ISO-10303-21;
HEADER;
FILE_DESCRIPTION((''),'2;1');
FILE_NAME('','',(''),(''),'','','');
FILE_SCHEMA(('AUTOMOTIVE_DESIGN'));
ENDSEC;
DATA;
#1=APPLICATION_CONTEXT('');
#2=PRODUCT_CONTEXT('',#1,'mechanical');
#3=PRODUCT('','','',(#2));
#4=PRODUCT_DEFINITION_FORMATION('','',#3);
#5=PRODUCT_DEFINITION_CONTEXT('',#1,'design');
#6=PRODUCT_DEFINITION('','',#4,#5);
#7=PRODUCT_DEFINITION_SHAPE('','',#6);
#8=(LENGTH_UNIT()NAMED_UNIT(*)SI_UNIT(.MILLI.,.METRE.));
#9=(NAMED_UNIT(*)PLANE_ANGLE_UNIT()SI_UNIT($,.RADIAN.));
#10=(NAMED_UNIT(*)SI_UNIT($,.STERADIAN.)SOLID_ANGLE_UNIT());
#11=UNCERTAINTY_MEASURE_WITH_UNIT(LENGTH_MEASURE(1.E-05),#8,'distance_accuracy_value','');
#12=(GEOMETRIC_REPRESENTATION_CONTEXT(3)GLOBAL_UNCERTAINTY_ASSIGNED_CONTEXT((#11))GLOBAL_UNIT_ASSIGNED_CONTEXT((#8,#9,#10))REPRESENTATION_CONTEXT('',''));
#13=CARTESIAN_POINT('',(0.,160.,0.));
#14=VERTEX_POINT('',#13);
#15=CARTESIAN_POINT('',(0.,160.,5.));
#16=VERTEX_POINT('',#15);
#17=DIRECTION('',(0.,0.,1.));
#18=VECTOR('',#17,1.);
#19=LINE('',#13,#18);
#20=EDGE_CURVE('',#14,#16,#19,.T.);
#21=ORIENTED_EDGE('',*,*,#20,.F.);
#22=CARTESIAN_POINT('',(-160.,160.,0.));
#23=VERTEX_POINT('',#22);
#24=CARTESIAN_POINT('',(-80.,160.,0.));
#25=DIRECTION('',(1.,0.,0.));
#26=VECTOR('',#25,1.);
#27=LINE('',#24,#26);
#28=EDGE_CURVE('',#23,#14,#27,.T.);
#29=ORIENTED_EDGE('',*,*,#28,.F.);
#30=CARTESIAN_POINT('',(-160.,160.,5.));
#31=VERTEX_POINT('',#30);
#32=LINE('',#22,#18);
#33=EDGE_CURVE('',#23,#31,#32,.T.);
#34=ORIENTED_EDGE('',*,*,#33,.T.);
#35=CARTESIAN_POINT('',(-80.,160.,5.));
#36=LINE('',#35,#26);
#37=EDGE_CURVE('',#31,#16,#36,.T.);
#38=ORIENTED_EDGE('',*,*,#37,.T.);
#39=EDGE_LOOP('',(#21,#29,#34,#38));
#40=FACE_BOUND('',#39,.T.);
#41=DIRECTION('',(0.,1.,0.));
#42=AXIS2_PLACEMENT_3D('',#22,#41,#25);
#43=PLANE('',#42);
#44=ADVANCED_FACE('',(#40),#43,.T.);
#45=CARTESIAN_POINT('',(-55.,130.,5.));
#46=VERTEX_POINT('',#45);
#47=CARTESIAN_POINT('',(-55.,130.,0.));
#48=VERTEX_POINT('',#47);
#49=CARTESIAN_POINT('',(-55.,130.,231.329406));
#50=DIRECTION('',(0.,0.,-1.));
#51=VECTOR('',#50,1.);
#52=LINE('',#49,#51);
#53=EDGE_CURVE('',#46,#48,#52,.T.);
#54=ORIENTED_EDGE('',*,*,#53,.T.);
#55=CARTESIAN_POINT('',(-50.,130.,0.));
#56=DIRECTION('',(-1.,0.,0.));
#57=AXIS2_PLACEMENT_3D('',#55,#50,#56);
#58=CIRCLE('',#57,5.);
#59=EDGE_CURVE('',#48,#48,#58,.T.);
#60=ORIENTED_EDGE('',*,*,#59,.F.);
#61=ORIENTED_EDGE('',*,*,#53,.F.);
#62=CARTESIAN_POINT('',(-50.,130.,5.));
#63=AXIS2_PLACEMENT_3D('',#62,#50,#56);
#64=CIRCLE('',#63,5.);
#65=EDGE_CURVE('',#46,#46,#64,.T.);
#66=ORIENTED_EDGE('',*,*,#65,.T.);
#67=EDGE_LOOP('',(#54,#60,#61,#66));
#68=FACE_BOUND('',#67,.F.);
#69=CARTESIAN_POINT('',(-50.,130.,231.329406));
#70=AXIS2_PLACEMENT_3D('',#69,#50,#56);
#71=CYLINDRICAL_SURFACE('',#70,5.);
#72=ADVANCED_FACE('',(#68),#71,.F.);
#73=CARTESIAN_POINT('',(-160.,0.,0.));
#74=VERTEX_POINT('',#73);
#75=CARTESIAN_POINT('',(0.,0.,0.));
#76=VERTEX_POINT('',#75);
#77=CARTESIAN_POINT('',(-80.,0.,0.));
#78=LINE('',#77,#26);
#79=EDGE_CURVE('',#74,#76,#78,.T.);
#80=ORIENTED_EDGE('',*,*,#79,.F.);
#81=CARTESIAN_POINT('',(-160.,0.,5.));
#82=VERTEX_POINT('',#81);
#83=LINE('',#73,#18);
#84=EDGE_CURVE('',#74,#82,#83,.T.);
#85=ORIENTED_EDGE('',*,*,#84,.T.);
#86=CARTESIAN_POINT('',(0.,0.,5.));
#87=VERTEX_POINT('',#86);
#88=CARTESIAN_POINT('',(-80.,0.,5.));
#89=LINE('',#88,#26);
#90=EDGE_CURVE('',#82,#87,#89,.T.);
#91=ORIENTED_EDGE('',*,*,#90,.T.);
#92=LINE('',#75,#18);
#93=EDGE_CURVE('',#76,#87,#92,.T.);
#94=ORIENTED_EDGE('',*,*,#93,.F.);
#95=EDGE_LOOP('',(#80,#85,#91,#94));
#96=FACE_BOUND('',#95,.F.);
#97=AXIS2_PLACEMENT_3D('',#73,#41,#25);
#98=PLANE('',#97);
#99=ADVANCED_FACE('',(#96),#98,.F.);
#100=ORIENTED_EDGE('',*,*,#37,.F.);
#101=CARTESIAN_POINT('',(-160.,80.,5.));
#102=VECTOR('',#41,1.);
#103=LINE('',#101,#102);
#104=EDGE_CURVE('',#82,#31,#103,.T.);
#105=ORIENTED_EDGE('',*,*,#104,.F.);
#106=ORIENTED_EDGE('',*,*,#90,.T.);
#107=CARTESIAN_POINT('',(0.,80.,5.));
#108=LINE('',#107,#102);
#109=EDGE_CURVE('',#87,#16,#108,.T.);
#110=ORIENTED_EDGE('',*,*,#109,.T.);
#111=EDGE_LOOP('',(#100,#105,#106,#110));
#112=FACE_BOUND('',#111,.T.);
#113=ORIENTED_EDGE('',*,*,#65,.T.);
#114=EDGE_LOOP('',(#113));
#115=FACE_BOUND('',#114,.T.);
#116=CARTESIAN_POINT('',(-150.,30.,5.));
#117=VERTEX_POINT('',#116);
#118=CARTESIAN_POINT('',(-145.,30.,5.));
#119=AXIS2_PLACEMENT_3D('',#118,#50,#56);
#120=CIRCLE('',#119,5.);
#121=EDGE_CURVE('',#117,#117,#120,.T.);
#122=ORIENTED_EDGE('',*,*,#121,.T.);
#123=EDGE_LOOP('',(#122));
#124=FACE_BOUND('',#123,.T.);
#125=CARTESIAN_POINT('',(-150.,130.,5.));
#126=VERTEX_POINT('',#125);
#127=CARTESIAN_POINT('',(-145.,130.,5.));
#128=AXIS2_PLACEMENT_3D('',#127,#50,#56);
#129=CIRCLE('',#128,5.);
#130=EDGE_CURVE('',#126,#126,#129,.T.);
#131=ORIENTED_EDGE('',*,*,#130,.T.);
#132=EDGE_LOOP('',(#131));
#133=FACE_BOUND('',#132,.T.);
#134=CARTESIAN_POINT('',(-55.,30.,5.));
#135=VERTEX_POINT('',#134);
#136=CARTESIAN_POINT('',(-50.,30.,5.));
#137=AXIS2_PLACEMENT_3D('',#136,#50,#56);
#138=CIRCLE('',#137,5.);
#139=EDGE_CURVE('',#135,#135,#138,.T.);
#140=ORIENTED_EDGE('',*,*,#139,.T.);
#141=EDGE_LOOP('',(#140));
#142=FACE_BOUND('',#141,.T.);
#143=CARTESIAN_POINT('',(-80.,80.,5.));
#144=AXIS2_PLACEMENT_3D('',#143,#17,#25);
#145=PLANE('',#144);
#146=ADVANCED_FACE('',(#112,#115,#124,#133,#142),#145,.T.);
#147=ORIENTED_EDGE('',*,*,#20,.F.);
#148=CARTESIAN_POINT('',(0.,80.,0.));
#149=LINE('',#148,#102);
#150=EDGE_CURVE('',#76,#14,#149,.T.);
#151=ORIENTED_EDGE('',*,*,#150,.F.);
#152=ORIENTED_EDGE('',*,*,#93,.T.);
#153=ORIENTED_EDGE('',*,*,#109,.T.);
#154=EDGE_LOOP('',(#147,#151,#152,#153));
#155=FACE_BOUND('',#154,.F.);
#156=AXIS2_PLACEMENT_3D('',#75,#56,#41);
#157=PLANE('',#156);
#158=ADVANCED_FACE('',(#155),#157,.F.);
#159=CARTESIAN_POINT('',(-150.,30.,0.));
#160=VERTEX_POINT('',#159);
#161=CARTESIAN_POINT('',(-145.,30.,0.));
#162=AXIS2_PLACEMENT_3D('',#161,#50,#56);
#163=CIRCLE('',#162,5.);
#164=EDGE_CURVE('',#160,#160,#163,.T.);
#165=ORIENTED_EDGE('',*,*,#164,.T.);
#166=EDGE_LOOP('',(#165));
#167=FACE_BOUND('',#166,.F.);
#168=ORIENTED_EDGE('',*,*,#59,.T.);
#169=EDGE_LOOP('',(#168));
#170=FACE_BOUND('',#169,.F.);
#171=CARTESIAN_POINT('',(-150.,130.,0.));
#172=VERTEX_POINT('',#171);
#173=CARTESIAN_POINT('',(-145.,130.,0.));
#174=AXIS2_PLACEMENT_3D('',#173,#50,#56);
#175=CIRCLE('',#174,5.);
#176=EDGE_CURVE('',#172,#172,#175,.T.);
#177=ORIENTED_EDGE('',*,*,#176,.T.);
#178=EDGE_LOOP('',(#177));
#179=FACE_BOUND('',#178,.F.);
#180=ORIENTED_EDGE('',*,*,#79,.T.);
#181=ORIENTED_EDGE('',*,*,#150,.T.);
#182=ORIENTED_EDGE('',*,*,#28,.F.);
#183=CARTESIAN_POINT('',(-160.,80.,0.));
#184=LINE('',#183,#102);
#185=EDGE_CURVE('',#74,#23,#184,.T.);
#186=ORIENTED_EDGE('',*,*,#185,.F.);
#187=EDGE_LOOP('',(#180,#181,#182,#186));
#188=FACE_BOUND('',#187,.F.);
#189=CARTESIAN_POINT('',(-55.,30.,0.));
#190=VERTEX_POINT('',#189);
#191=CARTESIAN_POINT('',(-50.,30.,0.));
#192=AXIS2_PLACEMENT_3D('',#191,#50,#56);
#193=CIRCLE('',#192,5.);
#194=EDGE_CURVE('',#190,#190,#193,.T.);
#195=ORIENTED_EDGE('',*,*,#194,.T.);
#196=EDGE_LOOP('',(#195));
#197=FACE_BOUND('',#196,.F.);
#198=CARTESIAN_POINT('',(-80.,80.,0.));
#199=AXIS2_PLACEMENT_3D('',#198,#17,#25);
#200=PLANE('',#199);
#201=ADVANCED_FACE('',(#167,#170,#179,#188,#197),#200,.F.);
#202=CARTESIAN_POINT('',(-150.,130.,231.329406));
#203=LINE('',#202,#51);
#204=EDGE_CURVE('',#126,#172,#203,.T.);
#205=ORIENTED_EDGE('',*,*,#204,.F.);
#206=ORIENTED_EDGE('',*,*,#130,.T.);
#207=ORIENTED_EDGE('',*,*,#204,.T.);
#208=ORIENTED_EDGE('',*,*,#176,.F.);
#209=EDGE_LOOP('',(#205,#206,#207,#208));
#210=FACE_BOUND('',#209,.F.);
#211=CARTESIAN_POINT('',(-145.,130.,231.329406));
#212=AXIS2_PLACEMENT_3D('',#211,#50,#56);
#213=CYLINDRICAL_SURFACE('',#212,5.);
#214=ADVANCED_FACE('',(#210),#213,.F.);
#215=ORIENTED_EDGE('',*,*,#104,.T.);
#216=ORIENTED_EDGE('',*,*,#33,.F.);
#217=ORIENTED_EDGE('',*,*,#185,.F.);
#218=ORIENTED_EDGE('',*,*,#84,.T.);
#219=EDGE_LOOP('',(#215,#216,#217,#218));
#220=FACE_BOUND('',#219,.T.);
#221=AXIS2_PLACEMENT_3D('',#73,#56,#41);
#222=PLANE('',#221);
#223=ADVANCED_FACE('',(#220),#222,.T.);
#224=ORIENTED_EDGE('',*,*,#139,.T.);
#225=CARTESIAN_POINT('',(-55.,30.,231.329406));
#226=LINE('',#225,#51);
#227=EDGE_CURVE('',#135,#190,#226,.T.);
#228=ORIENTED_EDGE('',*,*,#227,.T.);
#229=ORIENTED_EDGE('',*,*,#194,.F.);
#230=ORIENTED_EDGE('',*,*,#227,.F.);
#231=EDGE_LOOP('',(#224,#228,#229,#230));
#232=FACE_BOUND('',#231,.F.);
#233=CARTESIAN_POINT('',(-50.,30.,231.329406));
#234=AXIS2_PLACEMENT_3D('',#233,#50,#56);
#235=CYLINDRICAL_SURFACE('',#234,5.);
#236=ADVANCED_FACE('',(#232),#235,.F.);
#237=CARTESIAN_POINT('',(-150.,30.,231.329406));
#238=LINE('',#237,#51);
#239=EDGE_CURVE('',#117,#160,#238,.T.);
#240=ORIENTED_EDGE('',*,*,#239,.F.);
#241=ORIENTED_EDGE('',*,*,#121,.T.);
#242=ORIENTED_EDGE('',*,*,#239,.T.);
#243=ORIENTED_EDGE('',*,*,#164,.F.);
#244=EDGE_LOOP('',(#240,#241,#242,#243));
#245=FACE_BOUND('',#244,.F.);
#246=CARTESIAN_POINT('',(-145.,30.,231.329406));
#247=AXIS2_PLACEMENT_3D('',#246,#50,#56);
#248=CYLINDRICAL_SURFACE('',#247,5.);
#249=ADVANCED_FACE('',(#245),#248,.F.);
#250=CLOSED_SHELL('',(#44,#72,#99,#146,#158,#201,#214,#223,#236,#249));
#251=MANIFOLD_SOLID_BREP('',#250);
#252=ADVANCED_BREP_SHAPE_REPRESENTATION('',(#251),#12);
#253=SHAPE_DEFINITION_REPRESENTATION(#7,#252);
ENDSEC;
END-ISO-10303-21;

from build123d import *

# Parameters (mm, degrees)
F0_W     = 160
F0_H     = 160
F1_DEPTH = 5
F3_D     = 10


with BuildPart() as f1:
    # F0 (on Top) → F1 (new body)
    with BuildSketch(Plane.XY):
        with Locations((-80, 80)):
            Rectangle(F0_W, F0_H)
    extrude(amount=F1_DEPTH)

    # F3 (through all)
    with Locations(Plane.XY.offset(5)):
        with Locations((-50, 30), (-145, 30), (-50, 130), (-145, 130)):
            Hole(F3_D / 2)


solid = f1.part
